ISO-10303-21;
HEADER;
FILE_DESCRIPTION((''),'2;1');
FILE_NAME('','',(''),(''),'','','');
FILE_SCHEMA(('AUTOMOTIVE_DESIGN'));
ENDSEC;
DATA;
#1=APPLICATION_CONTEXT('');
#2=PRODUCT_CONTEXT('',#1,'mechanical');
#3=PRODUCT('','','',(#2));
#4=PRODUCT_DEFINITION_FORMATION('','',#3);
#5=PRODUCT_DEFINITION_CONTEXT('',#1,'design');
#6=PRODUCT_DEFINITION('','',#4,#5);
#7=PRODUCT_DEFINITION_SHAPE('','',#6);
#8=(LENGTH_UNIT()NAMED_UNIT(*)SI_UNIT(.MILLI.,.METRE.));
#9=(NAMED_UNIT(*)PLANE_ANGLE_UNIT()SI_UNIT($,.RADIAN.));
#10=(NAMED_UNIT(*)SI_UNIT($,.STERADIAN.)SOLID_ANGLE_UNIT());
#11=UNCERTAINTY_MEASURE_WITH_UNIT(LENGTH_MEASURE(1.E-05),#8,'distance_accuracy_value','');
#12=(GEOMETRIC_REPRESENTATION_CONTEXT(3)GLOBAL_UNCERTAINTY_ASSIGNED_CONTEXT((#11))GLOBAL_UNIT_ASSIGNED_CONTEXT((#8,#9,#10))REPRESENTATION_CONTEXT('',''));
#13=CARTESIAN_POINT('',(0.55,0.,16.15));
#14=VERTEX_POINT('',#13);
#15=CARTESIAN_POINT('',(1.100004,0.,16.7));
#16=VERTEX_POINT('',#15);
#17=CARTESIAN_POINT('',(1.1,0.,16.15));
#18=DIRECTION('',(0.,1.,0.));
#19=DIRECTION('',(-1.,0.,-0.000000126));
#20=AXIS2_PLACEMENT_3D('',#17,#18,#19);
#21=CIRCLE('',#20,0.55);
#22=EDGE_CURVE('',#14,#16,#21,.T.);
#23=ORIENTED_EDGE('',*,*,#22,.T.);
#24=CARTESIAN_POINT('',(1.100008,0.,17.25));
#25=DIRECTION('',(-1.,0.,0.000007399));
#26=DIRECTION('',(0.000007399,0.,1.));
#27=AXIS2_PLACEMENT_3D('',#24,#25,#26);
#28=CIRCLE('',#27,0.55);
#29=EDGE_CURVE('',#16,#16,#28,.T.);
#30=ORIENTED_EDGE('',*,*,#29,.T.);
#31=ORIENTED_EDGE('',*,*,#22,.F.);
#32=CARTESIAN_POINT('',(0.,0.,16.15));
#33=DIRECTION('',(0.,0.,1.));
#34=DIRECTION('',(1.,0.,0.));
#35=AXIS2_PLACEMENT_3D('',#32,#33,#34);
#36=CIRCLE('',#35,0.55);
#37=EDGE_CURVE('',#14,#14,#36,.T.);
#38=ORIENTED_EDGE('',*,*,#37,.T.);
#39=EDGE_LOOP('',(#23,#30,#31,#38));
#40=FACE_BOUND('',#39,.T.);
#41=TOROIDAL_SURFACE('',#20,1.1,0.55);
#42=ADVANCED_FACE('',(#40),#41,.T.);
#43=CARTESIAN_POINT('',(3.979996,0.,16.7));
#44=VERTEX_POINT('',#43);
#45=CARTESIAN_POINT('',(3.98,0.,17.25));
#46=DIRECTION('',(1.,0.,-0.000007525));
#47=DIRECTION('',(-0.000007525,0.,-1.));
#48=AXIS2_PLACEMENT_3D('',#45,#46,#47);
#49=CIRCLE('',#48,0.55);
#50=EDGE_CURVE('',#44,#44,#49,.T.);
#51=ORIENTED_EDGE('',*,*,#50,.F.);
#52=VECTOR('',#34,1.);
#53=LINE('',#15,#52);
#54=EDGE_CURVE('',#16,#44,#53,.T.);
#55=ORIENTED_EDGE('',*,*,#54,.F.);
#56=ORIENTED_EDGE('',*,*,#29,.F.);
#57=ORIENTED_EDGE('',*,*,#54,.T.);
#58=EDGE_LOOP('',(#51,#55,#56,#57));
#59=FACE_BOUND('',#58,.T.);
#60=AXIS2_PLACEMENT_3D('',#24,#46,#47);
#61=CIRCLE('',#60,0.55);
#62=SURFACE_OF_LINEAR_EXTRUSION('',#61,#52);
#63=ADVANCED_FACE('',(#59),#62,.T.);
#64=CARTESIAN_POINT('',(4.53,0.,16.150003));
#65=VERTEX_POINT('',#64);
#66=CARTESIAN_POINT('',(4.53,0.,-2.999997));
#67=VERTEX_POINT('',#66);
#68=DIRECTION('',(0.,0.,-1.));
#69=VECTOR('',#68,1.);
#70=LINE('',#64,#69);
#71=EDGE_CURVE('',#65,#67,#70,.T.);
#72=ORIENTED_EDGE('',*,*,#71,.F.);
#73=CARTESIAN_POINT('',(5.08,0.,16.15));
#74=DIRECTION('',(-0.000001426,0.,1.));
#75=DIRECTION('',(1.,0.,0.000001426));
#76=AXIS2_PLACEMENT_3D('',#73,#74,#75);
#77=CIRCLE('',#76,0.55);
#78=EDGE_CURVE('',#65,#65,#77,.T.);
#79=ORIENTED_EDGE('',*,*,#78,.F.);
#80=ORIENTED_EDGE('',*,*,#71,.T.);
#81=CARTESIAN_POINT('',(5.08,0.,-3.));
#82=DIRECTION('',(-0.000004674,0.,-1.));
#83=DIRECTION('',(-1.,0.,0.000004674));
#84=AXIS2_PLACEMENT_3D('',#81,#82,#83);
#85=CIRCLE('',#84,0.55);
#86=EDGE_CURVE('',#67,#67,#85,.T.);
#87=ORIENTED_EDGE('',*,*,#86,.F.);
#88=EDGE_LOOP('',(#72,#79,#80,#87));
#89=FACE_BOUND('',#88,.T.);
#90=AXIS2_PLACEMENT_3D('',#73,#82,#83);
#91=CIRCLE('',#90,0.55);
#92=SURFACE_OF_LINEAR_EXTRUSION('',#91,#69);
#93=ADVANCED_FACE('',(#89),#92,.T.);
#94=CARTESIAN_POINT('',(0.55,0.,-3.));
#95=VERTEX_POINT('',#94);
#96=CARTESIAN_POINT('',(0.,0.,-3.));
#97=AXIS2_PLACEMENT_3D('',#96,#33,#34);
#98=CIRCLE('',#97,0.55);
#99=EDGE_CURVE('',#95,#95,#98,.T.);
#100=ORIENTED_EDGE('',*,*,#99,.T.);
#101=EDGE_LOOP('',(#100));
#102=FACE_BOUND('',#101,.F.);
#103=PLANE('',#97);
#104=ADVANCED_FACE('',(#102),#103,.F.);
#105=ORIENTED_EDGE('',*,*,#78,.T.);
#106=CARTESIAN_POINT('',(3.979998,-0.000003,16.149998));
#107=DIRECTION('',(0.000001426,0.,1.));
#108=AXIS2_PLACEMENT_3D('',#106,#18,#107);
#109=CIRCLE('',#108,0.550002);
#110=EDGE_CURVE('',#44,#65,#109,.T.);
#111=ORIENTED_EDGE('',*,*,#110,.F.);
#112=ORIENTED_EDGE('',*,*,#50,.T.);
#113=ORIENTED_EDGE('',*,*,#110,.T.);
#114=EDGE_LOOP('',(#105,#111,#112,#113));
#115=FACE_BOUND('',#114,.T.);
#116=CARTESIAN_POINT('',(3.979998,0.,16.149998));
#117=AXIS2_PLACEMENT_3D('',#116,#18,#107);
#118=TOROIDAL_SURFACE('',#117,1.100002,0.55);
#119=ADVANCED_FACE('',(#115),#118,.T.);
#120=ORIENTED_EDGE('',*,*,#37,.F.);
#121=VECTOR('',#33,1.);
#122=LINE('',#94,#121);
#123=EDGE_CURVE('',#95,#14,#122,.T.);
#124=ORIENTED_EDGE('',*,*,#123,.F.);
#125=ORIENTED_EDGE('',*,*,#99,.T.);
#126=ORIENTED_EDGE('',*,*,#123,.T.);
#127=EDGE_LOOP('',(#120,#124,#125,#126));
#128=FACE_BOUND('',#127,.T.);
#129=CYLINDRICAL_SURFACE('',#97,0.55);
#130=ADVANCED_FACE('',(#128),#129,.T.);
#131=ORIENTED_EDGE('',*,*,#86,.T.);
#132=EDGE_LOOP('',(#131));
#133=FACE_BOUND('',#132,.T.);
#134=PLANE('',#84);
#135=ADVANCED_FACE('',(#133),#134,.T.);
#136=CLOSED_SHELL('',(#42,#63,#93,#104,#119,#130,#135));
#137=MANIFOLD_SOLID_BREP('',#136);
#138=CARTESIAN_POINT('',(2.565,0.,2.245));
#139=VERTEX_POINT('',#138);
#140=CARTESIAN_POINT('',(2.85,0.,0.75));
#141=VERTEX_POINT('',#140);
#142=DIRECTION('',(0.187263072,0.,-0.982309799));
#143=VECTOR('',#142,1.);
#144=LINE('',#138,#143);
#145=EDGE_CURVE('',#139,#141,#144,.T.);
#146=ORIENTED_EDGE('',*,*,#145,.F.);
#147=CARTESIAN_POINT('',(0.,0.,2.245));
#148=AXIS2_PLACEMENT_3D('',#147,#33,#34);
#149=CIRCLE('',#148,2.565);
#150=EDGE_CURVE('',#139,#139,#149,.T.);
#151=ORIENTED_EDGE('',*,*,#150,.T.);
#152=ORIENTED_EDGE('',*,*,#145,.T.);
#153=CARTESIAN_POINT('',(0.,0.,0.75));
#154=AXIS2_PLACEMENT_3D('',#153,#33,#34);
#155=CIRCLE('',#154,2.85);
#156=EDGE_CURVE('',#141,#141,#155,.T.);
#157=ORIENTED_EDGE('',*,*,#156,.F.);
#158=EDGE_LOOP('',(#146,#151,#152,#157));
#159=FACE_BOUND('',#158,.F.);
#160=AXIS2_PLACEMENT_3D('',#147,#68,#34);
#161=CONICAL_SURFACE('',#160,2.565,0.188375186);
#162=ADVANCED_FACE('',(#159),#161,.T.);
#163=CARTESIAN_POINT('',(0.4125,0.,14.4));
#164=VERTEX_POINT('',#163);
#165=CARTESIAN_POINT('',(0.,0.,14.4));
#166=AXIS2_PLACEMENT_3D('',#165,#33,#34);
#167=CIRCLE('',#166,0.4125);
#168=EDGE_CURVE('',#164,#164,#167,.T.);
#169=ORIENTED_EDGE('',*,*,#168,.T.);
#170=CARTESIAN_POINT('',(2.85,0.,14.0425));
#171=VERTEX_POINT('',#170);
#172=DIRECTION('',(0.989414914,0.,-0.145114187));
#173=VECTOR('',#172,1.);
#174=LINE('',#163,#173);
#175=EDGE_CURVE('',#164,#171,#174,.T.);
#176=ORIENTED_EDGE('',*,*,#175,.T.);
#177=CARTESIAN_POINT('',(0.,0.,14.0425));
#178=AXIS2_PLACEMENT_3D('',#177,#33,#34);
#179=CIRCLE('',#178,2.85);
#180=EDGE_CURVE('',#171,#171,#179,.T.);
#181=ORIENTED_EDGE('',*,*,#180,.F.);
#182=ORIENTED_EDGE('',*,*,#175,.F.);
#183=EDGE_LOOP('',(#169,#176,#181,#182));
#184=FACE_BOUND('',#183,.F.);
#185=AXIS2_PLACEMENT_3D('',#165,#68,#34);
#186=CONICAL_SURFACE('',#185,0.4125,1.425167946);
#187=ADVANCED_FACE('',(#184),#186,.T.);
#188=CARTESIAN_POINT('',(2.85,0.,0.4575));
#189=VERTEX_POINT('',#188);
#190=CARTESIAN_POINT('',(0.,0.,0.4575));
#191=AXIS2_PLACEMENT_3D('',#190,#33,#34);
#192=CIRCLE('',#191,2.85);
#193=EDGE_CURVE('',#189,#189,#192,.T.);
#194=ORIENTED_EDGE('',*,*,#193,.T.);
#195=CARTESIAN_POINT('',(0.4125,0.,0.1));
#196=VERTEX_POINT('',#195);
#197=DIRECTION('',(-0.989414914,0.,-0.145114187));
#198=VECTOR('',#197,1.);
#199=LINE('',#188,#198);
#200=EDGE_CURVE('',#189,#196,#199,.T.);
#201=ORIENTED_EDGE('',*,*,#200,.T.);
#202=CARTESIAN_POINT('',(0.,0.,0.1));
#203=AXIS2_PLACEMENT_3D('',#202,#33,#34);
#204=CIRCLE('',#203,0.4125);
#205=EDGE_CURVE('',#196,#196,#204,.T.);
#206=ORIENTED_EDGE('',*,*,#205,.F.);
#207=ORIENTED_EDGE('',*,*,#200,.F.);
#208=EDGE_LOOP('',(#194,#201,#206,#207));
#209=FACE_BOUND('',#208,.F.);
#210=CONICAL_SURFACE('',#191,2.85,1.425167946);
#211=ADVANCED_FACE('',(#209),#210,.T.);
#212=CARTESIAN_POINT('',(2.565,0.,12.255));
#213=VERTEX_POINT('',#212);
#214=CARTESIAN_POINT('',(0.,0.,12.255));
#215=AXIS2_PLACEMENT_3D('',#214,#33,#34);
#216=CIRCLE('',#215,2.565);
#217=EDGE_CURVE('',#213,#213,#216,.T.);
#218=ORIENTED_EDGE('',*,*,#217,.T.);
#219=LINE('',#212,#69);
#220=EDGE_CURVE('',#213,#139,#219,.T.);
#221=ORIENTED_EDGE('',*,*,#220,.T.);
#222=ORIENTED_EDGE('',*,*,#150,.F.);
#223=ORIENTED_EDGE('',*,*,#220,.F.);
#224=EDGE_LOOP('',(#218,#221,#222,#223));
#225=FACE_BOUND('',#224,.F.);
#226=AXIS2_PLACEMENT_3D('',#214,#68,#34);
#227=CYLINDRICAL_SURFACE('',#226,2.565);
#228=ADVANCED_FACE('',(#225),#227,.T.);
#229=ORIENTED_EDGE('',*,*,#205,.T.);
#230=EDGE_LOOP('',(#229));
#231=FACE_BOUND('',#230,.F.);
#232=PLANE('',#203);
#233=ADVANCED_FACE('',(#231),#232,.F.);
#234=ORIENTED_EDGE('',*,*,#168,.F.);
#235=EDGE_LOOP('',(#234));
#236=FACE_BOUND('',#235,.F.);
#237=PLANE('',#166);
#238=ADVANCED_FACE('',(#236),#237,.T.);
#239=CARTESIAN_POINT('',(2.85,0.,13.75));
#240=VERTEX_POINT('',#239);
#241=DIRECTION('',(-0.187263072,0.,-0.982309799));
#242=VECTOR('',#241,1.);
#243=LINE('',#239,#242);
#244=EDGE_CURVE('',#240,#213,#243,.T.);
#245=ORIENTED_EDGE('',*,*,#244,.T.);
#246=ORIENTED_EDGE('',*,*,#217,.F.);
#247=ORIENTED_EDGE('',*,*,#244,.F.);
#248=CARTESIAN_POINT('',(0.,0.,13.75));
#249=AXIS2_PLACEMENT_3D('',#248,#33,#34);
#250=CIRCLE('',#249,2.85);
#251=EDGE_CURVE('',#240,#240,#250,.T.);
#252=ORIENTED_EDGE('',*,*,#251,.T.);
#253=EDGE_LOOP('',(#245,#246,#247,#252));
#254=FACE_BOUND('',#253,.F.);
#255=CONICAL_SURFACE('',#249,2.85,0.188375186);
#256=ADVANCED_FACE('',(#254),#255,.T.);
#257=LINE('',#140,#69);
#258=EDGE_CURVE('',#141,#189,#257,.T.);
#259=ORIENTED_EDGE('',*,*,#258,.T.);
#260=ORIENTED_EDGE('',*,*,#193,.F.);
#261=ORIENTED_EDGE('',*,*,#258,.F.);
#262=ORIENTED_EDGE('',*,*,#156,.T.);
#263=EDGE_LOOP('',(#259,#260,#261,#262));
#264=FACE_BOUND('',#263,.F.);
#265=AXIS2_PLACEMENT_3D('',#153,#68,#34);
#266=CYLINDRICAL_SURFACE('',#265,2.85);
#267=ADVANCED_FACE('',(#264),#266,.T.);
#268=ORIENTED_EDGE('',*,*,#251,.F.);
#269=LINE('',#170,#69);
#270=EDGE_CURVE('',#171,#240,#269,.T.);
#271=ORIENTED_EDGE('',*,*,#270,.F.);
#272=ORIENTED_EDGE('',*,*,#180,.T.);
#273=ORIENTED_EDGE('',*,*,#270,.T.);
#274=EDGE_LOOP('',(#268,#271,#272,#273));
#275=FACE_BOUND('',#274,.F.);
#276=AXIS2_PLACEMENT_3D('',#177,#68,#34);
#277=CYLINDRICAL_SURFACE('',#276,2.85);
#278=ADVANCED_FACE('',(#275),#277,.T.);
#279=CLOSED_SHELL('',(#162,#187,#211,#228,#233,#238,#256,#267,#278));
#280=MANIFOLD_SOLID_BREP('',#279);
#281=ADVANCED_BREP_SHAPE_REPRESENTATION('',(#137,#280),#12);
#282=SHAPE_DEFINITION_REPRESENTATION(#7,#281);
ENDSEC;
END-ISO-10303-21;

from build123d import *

# Parameters (mm, degrees)
SKETCH_R = 0.55


with BuildPart() as sweep_body:
    # Sweep: sweep along a path in Sketch001
    with BuildLine(Plane.XZ) as sweep_path:
        Line((0, -3), (0, 16.15))
        ThreePointArc((0, 16.15), (0.322185, 16.92782), (1.100008, 17.25))
        Line((1.100008, 17.25), (3.98, 17.25))
        ThreePointArc((3.98, 17.25), (4.757817, 16.927817), (5.08, 16.15))
        Line((5.08, 16.15), (5.08, -3))
    # Sketch → Sweep (sweep)
    with BuildSketch(Plane.XY.offset(-2)):
        Circle(SKETCH_R)
    sweep(path=sweep_path.line)


with BuildPart() as revolution:
    # Sketch002 → Revolution (revolve)
    with BuildSketch(Plane.XZ):
        Polygon((0, 0.1), (0, 14.4), (0.4125, 14.4), (2.85, 14.0425), (2.85, 13.75), (2.565, 12.255), (2.565, 2.245), (2.85, 0.75), (2.85, 0.4575), (0.4125, 0.1), align=None)
    revolve(axis=Axis((0, 0, 0), (0, 0, 1)))


solid = Compound([sweep_body.part, revolution.part])
